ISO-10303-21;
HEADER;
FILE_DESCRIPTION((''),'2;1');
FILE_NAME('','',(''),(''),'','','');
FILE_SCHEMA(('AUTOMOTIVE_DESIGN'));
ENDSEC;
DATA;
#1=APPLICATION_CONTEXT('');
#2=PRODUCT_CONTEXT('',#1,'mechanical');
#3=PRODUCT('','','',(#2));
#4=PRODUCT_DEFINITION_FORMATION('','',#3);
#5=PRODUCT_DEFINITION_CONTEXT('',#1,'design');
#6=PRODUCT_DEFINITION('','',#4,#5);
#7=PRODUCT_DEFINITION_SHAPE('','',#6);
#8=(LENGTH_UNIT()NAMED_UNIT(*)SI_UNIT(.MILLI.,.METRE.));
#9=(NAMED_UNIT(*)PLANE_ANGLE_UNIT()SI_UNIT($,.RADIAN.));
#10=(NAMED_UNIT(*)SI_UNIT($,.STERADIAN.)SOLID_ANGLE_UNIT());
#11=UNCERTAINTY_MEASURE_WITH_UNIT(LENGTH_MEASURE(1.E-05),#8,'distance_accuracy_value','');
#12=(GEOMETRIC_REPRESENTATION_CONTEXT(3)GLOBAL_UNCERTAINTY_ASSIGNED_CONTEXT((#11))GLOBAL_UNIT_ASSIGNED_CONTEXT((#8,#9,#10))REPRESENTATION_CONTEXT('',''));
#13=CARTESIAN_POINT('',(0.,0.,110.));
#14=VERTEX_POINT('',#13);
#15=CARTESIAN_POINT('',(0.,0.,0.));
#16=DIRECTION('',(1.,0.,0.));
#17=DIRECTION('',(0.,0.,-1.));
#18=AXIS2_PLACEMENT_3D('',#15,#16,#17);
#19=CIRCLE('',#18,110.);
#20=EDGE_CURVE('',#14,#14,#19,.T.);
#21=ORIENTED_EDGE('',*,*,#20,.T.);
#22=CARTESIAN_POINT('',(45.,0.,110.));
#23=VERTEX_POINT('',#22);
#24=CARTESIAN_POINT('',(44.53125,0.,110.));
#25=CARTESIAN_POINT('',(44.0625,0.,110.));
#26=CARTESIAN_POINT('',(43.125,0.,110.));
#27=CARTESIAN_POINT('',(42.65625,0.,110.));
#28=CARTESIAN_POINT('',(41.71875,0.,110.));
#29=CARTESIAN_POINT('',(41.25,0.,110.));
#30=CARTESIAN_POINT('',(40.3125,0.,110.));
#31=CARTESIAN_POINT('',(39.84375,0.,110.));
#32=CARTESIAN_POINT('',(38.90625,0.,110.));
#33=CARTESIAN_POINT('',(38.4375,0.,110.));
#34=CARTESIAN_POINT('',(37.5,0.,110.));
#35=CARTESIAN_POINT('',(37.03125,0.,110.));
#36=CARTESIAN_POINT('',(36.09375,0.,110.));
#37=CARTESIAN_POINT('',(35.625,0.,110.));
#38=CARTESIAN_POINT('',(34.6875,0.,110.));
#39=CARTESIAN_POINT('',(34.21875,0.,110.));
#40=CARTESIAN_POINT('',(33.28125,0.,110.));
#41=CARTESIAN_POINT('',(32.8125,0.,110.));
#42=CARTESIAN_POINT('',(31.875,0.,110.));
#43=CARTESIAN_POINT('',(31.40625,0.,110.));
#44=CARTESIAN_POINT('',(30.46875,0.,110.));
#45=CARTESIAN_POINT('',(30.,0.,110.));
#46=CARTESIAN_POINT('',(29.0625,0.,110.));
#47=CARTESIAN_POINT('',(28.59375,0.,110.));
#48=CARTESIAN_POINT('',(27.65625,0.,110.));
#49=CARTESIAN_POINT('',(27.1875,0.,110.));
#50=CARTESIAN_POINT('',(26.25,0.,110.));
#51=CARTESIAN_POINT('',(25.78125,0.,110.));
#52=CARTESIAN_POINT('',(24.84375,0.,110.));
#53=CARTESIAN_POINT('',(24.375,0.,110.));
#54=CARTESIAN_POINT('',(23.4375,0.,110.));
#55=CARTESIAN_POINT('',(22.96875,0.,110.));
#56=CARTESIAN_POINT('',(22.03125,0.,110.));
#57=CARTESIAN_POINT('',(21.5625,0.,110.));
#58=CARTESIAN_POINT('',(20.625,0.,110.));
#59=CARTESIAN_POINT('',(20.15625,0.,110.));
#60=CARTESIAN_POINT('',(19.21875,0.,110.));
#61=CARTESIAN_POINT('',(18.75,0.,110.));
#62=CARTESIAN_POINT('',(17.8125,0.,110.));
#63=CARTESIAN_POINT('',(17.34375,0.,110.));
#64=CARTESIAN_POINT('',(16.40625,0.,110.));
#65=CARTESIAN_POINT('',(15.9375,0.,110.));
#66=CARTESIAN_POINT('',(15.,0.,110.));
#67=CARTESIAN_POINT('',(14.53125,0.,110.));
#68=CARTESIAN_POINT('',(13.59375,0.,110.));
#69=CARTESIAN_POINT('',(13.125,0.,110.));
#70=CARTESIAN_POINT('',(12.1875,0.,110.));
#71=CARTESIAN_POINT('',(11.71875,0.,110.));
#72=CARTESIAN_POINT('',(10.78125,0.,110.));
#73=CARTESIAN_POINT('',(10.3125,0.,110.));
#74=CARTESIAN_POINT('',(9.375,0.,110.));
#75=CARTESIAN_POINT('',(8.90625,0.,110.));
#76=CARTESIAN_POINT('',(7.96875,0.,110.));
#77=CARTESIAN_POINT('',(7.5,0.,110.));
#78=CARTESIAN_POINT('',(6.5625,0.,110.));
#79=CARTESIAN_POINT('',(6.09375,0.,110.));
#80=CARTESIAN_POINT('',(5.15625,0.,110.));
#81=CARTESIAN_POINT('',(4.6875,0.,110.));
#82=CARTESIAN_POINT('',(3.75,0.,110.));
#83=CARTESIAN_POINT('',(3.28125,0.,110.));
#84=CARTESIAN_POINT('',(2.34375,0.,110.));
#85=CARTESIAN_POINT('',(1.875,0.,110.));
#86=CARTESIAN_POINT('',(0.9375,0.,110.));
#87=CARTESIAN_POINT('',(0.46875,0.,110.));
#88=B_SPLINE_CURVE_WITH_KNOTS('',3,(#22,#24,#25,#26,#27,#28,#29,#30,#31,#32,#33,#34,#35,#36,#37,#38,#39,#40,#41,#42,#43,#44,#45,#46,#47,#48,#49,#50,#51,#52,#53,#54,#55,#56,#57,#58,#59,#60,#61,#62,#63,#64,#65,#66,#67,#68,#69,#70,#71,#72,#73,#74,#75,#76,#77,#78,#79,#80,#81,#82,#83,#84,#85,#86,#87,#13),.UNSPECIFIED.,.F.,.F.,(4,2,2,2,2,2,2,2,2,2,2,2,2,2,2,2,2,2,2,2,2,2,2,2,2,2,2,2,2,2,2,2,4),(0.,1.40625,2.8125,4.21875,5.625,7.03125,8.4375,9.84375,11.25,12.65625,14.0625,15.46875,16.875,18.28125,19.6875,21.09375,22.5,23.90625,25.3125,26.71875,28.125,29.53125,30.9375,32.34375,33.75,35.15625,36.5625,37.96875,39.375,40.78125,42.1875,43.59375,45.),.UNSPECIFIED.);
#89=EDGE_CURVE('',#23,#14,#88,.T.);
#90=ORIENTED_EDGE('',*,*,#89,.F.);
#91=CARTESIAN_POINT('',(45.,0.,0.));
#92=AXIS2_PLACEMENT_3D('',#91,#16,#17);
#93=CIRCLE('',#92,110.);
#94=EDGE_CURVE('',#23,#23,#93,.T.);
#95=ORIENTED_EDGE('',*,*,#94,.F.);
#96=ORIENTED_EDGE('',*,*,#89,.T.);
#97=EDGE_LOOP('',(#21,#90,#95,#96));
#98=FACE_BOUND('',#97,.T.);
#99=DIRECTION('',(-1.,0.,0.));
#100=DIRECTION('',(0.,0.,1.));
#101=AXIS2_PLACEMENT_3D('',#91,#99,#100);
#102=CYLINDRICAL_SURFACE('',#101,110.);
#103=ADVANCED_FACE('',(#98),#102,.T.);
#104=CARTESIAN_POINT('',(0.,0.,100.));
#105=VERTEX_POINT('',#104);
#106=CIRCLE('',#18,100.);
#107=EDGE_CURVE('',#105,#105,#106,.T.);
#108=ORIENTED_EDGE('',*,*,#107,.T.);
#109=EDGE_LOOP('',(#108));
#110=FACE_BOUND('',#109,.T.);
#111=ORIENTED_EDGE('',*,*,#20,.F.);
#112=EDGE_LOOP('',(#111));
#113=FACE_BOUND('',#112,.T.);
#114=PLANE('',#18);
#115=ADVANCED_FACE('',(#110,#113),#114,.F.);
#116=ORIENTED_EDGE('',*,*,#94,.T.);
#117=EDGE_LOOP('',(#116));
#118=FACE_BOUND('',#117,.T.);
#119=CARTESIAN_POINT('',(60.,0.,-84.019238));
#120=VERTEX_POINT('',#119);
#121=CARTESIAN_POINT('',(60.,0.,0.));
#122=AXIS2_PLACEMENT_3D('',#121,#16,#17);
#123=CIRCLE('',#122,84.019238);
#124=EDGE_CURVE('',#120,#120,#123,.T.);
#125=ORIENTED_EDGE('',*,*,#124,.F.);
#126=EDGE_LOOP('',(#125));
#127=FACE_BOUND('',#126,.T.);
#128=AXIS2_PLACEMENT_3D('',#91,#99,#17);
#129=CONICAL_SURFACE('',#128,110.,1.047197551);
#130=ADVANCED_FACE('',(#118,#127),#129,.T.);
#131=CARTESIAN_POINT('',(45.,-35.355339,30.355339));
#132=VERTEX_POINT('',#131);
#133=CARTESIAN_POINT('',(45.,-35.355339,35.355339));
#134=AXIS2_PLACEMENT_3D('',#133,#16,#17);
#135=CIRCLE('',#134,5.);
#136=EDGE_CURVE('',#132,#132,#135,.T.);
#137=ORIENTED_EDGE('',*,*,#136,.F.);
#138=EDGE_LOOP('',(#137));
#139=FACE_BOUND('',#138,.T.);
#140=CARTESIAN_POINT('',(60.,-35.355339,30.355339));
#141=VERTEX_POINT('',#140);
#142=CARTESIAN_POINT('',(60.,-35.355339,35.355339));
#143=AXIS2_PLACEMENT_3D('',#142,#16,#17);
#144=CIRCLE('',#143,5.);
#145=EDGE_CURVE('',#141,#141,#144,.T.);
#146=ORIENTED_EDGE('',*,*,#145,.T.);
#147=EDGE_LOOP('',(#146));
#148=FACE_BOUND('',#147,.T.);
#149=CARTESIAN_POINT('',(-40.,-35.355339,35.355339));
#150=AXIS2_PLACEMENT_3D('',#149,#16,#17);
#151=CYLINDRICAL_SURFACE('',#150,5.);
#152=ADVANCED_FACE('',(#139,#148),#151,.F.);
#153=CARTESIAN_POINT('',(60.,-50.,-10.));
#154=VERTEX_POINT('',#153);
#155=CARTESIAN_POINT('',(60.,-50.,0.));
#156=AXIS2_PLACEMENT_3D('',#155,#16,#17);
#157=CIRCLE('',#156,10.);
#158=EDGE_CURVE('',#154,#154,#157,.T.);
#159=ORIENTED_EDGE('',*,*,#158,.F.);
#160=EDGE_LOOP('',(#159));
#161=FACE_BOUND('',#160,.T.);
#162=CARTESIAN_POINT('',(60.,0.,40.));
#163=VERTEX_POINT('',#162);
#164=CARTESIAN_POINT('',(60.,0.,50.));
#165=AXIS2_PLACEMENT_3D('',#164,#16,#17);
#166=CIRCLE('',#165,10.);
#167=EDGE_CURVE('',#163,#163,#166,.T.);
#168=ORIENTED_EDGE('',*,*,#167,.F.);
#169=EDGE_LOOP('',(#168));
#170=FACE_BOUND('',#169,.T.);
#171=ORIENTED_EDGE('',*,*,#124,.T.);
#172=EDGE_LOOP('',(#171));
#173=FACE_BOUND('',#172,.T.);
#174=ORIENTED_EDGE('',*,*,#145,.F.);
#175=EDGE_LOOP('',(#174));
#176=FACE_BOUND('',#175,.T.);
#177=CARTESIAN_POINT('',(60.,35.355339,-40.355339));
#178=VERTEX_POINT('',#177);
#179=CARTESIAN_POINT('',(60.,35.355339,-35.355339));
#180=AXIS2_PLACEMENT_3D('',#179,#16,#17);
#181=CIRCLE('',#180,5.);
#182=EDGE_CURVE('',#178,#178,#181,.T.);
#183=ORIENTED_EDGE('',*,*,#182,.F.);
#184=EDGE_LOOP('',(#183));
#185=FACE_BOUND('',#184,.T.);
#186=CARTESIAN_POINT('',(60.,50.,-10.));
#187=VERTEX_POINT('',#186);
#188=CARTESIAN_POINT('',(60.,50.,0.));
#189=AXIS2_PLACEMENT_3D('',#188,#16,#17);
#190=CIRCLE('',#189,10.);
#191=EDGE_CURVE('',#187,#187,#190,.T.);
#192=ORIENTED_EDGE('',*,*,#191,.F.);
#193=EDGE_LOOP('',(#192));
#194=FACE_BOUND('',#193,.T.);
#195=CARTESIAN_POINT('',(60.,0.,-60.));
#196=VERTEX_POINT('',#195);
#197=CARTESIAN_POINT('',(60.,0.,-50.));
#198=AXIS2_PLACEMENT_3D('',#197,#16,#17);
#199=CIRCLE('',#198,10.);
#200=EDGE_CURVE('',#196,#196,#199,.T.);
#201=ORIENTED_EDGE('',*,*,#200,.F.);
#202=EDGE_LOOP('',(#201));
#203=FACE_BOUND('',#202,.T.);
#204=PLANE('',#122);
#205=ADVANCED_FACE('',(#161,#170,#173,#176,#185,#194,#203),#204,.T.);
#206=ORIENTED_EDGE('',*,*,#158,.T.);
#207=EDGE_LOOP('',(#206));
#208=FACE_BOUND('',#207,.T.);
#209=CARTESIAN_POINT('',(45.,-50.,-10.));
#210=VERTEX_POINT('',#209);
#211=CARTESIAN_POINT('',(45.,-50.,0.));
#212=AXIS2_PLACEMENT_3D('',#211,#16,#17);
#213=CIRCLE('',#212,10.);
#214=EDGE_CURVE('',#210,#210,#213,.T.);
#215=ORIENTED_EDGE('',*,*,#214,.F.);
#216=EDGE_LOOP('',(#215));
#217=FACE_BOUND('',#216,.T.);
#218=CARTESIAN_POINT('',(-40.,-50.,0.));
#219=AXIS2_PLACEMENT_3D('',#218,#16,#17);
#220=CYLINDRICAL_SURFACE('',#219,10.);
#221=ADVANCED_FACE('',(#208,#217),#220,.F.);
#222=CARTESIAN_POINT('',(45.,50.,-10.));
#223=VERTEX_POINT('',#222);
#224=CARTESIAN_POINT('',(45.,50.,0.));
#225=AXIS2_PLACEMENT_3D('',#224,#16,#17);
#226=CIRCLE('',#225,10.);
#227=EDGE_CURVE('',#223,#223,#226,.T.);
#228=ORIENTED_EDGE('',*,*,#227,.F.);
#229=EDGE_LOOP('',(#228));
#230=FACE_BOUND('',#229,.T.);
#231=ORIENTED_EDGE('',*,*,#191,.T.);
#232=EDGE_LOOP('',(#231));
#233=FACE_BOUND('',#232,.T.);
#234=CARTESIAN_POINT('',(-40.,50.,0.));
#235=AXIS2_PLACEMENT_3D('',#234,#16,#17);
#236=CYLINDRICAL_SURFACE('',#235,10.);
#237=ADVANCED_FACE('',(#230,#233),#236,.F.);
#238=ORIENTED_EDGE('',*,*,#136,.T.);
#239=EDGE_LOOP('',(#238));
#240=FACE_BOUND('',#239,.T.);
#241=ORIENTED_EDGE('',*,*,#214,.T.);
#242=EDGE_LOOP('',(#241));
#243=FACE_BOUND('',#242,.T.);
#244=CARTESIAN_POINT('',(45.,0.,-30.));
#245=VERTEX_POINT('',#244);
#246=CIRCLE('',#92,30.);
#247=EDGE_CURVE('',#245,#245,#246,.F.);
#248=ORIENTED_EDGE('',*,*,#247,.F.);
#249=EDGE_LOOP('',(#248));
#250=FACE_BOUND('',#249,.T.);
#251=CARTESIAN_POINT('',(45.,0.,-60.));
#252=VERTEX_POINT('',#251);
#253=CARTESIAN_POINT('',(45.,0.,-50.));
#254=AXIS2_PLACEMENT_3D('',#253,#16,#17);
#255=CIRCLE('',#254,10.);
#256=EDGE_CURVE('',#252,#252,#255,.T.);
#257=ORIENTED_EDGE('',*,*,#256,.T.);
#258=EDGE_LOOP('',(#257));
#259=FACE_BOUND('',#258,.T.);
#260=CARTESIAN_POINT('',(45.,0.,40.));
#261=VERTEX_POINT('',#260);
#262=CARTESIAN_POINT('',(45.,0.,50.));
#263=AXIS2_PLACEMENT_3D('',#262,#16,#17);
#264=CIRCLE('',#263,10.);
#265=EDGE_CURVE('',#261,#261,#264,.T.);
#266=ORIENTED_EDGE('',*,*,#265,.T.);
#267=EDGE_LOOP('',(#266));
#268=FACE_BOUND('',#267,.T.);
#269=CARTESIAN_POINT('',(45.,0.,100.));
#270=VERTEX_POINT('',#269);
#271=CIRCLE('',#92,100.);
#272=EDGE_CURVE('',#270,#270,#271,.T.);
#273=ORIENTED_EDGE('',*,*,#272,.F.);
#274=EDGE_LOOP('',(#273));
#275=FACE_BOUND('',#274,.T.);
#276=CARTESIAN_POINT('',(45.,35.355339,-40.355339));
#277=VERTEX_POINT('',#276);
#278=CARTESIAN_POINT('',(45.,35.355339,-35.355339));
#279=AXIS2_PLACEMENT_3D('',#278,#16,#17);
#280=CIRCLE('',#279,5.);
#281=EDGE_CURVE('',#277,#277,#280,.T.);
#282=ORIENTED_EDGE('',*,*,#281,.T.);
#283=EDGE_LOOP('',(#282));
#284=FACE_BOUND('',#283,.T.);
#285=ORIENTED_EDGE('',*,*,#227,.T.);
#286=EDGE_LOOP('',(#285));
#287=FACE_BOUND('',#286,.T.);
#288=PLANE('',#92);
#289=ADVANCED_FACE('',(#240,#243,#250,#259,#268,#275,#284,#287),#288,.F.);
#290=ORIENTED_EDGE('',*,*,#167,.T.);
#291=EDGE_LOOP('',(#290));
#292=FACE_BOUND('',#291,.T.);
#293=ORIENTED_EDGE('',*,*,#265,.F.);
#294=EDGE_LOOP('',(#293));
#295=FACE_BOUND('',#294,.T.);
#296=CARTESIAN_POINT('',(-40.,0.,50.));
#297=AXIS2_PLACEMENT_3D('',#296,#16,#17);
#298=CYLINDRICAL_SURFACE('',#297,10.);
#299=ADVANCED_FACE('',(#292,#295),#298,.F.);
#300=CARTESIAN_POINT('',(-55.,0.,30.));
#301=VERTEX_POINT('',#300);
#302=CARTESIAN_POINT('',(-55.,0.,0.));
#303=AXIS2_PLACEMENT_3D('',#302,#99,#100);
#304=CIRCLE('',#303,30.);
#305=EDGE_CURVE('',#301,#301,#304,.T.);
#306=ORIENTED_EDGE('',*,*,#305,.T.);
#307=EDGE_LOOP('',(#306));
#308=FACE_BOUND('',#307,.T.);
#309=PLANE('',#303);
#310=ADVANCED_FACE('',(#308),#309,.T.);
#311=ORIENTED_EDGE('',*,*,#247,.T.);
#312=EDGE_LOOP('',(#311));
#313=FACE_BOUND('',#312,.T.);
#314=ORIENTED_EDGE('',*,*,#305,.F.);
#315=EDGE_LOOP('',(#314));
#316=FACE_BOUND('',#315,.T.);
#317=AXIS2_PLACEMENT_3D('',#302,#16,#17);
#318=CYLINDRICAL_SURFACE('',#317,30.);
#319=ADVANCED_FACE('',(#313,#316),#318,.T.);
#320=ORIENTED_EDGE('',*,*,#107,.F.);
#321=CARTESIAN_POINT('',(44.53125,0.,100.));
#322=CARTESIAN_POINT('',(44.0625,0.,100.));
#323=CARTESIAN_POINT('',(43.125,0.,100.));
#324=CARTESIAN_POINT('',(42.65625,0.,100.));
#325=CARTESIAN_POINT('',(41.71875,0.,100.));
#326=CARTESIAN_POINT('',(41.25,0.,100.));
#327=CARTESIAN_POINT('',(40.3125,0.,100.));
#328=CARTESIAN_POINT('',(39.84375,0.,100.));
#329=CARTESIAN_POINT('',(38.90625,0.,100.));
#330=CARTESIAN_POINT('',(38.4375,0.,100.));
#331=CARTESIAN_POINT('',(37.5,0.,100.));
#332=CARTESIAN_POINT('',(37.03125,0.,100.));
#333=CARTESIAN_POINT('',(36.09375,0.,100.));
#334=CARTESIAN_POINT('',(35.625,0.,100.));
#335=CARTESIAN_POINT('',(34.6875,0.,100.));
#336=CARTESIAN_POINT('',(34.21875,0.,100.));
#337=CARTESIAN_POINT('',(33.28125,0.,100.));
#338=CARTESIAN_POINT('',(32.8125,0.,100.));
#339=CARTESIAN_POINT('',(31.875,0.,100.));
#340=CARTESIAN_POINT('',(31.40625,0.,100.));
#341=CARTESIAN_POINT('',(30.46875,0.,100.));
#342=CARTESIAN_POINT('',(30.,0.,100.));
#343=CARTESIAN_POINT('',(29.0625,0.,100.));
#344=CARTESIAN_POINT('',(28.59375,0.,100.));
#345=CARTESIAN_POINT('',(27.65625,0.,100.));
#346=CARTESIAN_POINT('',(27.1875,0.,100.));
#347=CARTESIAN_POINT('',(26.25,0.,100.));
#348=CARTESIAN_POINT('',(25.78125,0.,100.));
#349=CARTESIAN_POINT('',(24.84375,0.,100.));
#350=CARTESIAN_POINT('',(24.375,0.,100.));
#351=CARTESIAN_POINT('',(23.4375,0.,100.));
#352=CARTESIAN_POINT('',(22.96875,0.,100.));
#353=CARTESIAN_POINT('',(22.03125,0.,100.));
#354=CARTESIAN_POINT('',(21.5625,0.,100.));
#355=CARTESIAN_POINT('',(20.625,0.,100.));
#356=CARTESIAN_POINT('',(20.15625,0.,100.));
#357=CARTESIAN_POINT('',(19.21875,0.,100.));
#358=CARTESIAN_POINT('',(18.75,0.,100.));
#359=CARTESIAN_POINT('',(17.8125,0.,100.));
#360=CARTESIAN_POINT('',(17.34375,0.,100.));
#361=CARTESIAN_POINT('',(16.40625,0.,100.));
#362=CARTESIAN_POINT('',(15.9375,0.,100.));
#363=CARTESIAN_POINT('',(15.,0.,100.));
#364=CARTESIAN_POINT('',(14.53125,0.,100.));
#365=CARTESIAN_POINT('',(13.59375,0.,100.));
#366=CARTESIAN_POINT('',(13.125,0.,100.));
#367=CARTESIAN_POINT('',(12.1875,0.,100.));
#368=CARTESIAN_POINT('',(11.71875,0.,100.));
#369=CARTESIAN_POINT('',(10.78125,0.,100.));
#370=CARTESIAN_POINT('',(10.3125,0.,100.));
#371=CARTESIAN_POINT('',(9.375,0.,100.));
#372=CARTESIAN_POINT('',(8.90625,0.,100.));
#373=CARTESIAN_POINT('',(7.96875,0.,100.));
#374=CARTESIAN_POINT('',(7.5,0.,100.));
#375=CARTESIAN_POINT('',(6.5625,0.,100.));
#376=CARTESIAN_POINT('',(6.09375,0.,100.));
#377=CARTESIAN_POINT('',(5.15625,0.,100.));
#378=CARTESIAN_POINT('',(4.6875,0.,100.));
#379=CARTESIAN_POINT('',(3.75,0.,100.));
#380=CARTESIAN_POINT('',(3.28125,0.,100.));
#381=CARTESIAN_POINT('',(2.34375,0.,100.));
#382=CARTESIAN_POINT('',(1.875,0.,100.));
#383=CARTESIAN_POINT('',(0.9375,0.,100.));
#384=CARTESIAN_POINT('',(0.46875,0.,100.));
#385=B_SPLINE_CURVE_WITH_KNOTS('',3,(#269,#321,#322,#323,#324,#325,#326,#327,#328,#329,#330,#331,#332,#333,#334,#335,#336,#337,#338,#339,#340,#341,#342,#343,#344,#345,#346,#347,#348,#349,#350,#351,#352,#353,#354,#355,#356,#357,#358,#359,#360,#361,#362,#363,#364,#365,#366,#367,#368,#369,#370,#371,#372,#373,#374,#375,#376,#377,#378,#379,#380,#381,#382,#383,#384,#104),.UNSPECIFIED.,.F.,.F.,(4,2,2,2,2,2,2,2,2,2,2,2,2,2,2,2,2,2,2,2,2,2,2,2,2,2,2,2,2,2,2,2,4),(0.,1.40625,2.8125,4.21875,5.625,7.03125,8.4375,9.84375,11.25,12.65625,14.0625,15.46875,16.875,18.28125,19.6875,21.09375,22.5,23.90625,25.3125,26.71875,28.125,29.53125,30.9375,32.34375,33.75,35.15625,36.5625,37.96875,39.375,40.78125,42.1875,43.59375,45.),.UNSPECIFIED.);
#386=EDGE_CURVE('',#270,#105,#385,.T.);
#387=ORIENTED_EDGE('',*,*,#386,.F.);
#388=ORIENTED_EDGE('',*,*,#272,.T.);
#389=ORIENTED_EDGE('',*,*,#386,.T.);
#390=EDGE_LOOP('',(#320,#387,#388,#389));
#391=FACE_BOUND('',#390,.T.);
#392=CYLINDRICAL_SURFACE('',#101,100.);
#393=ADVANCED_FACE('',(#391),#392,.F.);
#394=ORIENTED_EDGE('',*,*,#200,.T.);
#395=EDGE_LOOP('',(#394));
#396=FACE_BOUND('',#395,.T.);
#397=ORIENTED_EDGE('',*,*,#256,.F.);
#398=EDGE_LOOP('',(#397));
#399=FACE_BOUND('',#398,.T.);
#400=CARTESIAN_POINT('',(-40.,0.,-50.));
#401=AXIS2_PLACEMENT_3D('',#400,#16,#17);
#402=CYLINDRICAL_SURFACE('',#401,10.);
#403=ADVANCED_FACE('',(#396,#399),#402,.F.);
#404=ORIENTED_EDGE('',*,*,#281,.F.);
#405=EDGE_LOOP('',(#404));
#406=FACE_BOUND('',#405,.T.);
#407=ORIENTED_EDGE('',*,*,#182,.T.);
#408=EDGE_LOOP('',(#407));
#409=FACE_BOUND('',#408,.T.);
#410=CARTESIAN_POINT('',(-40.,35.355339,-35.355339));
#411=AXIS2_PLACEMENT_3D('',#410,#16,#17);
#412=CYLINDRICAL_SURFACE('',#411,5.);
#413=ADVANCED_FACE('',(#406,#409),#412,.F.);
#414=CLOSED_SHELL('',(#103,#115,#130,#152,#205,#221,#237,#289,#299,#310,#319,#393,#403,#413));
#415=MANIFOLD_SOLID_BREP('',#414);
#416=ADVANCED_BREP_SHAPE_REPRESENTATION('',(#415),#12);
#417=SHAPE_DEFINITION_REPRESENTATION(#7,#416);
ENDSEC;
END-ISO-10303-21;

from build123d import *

# Parameters (mm, degrees)
SKETCH1_R           = 110
SKETCH1_R_2         = 100
BOSS_EXTRUDE1_DEPTH = 45
SKETCH2_R           = 110
BOSS_EXTRUDE2_DEPTH = 15
BOSS_EXTRUDE2_TAPER = 60
SKETCH3_R           = 30
BOSS_EXTRUDE3_DEPTH = 100
SKETCH4_R           = 10
SKETCH4_R_2         = 5
CUT_EXTRUDE1_DEPTH  = 100


with BuildPart() as part:
    # Sketch1 → Boss-Extrude1 (new body)
    with BuildSketch(Plane(origin=(0, 0, 0), x_dir=(0, 0, -1), z_dir=(1, 0, 0))):
        with Locations(Location((0, 0, 0), (0, 0, 180))):
            Circle(SKETCH1_R)
        with Locations(Location((0, 0, 0), (0, 0, 180))):
            Circle(SKETCH1_R_2, mode=Mode.SUBTRACT)
    extrude(amount=BOSS_EXTRUDE1_DEPTH)

    # Sketch2 → Boss-Extrude2 (add)
    with BuildSketch(Plane(origin=(45, 0, 0), x_dir=(0, 0, -1), z_dir=(1, 0, 0))):
        with Locations(Location((0, 0, 0), (0, 0, 180))):
            Circle(SKETCH2_R)
    extrude(amount=BOSS_EXTRUDE2_DEPTH, taper=BOSS_EXTRUDE2_TAPER)

    # Sketch3 → Boss-Extrude3 (add)
    with BuildSketch(Plane.ZY.offset(-45)):
        with Locations(Location((0, 0, 0), (0, 0, 180))):
            Circle(SKETCH3_R)
    extrude(amount=BOSS_EXTRUDE3_DEPTH)

    # Sketch4 → Cut-Extrude1 (cut)
    with BuildSketch(Plane(origin=(60, 0, 0), x_dir=(0, 0, -1), z_dir=(1, 0, 0))):
        with Locations((0, 50)):
            Circle(SKETCH4_R)
        with Locations((50, 0)):
            Circle(SKETCH4_R)
        with Locations((0, -50)):
            Circle(SKETCH4_R)
        with Locations((-50, 0)):
            Circle(SKETCH4_R)
        with Locations((35.355339059, 35.355339059)):
            Circle(SKETCH4_R_2)
        with Locations((-35.355339059, -35.355339059)):
            Circle(SKETCH4_R_2)
    extrude(amount=-CUT_EXTRUDE1_DEPTH, mode=Mode.SUBTRACT)


solid = part.part
